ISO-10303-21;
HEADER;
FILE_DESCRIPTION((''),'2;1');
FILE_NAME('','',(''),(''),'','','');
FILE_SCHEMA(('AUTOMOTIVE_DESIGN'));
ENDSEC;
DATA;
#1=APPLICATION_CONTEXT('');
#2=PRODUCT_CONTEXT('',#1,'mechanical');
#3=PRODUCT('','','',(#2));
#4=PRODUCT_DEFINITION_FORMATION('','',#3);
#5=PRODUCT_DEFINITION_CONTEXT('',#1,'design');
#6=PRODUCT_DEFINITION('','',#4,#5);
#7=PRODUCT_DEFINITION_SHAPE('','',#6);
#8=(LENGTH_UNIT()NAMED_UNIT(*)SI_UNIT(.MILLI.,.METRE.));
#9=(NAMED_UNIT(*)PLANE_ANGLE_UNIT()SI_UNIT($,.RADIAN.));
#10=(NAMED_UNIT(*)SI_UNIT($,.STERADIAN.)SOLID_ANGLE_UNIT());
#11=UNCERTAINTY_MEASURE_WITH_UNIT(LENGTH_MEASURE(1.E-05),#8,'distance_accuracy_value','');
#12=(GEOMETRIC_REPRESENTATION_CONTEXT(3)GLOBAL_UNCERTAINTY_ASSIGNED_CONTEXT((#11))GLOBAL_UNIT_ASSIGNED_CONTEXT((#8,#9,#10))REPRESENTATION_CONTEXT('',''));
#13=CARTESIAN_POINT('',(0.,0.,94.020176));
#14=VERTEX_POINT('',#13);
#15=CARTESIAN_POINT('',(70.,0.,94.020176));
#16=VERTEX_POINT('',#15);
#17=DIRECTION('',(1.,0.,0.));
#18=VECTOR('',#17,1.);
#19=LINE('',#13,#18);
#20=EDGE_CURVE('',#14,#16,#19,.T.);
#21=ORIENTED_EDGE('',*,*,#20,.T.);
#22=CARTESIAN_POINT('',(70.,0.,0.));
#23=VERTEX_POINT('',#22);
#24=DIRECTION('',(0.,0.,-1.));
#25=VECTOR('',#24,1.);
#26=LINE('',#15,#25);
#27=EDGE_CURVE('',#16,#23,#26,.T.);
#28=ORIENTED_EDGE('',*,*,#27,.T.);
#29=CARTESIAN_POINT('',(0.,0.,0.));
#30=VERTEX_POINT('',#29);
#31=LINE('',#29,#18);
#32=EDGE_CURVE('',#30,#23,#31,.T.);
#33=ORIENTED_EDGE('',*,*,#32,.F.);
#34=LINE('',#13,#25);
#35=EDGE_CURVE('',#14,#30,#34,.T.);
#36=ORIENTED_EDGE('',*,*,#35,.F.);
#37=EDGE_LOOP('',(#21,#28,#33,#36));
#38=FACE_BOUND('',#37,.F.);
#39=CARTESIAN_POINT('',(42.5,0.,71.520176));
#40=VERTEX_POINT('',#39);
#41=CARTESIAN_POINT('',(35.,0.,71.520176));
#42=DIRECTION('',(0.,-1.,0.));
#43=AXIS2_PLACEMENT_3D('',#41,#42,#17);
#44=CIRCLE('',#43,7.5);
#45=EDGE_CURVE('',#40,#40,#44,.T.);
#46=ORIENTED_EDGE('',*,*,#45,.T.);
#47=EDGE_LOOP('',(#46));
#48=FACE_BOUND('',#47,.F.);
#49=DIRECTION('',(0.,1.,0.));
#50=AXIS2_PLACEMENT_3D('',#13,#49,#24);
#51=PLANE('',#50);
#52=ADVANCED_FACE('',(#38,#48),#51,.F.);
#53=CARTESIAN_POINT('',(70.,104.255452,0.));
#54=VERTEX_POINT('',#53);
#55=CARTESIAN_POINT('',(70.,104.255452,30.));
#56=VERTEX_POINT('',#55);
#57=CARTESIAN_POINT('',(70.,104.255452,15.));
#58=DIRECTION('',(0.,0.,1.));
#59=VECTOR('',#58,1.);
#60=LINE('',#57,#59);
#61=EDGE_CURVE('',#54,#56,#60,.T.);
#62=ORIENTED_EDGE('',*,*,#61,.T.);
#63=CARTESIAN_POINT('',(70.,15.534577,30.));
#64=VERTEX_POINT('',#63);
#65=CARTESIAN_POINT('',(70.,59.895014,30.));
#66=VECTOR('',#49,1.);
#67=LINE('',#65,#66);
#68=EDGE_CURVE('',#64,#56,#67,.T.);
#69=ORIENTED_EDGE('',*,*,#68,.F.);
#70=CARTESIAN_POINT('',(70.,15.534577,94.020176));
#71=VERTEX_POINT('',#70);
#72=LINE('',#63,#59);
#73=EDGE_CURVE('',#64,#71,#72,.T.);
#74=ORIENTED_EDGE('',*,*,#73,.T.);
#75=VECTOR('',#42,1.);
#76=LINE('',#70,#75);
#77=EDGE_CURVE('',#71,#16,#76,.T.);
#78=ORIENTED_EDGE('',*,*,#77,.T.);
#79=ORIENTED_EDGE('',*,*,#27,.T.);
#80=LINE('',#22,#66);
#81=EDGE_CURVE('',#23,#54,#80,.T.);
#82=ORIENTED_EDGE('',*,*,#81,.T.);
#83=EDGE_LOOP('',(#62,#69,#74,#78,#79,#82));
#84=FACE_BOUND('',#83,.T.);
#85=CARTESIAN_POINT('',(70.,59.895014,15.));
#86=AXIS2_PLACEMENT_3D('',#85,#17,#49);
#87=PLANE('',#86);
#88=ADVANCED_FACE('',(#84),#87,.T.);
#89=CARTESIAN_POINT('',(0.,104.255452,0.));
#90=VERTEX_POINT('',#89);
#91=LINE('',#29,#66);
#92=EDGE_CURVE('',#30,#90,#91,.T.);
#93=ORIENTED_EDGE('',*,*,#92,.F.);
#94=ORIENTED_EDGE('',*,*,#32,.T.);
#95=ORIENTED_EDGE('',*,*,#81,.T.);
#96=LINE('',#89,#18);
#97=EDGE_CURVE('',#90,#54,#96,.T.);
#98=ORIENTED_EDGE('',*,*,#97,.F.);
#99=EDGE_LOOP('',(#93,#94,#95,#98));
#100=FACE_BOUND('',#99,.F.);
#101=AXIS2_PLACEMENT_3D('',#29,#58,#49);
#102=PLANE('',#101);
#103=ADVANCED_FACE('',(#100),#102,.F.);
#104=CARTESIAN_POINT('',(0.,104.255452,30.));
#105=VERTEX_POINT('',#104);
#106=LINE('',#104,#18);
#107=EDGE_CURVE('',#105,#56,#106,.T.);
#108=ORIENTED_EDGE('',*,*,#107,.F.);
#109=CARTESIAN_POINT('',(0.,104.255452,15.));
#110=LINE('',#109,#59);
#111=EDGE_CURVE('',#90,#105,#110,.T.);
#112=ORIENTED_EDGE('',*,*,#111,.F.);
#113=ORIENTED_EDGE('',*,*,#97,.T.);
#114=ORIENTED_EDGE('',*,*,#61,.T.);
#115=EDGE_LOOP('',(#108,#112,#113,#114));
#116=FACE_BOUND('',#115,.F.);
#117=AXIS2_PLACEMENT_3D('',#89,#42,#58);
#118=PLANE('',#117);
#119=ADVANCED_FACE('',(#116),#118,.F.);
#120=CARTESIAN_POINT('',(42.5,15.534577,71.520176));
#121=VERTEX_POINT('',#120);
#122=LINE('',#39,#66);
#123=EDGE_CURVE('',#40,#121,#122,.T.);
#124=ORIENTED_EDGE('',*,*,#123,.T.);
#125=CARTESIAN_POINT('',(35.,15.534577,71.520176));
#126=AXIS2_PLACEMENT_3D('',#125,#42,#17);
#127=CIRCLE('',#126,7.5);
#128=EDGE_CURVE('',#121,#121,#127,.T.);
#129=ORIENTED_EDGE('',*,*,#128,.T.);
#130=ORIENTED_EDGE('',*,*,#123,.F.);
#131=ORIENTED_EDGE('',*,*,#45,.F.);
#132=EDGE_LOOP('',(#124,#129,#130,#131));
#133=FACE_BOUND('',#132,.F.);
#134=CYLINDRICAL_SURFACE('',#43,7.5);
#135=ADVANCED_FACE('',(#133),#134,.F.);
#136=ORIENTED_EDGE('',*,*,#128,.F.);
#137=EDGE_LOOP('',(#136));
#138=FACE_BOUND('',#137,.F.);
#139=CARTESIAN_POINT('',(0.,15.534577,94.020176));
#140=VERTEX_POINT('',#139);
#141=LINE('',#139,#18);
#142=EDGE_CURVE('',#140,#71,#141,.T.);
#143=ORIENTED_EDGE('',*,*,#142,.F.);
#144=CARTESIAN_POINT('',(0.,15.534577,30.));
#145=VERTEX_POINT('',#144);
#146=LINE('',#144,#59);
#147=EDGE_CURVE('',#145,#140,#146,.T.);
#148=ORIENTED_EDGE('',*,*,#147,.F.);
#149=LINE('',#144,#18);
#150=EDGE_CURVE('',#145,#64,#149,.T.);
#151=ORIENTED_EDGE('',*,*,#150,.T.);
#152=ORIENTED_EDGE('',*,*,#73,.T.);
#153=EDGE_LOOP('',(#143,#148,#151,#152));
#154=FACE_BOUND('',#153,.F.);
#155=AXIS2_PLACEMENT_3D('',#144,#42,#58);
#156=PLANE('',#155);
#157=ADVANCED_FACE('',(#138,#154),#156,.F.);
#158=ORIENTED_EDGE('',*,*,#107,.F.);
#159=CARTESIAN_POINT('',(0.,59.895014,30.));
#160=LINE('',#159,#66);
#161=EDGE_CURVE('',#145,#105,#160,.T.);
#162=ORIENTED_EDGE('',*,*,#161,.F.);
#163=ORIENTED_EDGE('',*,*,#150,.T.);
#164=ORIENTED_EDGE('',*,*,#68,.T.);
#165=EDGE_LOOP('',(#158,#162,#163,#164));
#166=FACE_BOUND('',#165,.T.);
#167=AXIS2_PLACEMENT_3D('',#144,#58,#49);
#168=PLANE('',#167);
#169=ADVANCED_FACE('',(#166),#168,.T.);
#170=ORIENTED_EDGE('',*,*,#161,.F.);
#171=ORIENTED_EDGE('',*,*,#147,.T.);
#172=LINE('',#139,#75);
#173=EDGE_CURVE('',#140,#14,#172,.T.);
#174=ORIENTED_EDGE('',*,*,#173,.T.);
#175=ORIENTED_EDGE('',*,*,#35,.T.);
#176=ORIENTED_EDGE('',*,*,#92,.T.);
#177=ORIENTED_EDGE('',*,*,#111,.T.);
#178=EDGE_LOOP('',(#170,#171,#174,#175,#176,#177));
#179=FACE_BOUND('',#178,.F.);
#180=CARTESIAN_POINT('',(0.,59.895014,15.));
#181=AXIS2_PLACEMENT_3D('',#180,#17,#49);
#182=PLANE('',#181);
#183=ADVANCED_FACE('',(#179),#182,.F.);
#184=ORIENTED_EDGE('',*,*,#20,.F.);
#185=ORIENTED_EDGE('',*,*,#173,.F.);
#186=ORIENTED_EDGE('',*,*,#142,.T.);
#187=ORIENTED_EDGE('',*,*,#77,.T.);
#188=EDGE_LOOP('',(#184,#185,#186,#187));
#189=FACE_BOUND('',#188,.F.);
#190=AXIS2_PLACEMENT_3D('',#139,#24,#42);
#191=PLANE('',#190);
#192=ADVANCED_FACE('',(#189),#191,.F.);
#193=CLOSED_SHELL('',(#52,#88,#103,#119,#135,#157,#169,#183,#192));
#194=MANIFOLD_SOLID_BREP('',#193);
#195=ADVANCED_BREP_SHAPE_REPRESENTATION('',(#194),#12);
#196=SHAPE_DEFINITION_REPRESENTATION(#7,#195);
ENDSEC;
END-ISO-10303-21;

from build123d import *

# Parameters (mm, degrees)
F0_W     = 88.720875
F0_H     = 30
F1_DEPTH = 70
F2_R     = 7.5
F3_DEPTH = 25


with BuildPart() as f1:
    # F0 (on Right) → F1 (new body)
    with BuildSketch(Plane.YZ):
        with Locations((59.895014, 15)):
            Rectangle(F0_W, F0_H)
        Polygon((0, 94.020176), (0, 0), (15.534577, 0), (15.534577, 30), (15.534577, 94.020176), align=None)
    extrude(amount=F1_DEPTH)

    # F2 (on face) → F3 (cut)
    with BuildSketch(Plane.XZ):
        with Locations((35, 71.520176)):
            Circle(F2_R)
    extrude(amount=-F3_DEPTH, mode=Mode.SUBTRACT)


solid = f1.part
